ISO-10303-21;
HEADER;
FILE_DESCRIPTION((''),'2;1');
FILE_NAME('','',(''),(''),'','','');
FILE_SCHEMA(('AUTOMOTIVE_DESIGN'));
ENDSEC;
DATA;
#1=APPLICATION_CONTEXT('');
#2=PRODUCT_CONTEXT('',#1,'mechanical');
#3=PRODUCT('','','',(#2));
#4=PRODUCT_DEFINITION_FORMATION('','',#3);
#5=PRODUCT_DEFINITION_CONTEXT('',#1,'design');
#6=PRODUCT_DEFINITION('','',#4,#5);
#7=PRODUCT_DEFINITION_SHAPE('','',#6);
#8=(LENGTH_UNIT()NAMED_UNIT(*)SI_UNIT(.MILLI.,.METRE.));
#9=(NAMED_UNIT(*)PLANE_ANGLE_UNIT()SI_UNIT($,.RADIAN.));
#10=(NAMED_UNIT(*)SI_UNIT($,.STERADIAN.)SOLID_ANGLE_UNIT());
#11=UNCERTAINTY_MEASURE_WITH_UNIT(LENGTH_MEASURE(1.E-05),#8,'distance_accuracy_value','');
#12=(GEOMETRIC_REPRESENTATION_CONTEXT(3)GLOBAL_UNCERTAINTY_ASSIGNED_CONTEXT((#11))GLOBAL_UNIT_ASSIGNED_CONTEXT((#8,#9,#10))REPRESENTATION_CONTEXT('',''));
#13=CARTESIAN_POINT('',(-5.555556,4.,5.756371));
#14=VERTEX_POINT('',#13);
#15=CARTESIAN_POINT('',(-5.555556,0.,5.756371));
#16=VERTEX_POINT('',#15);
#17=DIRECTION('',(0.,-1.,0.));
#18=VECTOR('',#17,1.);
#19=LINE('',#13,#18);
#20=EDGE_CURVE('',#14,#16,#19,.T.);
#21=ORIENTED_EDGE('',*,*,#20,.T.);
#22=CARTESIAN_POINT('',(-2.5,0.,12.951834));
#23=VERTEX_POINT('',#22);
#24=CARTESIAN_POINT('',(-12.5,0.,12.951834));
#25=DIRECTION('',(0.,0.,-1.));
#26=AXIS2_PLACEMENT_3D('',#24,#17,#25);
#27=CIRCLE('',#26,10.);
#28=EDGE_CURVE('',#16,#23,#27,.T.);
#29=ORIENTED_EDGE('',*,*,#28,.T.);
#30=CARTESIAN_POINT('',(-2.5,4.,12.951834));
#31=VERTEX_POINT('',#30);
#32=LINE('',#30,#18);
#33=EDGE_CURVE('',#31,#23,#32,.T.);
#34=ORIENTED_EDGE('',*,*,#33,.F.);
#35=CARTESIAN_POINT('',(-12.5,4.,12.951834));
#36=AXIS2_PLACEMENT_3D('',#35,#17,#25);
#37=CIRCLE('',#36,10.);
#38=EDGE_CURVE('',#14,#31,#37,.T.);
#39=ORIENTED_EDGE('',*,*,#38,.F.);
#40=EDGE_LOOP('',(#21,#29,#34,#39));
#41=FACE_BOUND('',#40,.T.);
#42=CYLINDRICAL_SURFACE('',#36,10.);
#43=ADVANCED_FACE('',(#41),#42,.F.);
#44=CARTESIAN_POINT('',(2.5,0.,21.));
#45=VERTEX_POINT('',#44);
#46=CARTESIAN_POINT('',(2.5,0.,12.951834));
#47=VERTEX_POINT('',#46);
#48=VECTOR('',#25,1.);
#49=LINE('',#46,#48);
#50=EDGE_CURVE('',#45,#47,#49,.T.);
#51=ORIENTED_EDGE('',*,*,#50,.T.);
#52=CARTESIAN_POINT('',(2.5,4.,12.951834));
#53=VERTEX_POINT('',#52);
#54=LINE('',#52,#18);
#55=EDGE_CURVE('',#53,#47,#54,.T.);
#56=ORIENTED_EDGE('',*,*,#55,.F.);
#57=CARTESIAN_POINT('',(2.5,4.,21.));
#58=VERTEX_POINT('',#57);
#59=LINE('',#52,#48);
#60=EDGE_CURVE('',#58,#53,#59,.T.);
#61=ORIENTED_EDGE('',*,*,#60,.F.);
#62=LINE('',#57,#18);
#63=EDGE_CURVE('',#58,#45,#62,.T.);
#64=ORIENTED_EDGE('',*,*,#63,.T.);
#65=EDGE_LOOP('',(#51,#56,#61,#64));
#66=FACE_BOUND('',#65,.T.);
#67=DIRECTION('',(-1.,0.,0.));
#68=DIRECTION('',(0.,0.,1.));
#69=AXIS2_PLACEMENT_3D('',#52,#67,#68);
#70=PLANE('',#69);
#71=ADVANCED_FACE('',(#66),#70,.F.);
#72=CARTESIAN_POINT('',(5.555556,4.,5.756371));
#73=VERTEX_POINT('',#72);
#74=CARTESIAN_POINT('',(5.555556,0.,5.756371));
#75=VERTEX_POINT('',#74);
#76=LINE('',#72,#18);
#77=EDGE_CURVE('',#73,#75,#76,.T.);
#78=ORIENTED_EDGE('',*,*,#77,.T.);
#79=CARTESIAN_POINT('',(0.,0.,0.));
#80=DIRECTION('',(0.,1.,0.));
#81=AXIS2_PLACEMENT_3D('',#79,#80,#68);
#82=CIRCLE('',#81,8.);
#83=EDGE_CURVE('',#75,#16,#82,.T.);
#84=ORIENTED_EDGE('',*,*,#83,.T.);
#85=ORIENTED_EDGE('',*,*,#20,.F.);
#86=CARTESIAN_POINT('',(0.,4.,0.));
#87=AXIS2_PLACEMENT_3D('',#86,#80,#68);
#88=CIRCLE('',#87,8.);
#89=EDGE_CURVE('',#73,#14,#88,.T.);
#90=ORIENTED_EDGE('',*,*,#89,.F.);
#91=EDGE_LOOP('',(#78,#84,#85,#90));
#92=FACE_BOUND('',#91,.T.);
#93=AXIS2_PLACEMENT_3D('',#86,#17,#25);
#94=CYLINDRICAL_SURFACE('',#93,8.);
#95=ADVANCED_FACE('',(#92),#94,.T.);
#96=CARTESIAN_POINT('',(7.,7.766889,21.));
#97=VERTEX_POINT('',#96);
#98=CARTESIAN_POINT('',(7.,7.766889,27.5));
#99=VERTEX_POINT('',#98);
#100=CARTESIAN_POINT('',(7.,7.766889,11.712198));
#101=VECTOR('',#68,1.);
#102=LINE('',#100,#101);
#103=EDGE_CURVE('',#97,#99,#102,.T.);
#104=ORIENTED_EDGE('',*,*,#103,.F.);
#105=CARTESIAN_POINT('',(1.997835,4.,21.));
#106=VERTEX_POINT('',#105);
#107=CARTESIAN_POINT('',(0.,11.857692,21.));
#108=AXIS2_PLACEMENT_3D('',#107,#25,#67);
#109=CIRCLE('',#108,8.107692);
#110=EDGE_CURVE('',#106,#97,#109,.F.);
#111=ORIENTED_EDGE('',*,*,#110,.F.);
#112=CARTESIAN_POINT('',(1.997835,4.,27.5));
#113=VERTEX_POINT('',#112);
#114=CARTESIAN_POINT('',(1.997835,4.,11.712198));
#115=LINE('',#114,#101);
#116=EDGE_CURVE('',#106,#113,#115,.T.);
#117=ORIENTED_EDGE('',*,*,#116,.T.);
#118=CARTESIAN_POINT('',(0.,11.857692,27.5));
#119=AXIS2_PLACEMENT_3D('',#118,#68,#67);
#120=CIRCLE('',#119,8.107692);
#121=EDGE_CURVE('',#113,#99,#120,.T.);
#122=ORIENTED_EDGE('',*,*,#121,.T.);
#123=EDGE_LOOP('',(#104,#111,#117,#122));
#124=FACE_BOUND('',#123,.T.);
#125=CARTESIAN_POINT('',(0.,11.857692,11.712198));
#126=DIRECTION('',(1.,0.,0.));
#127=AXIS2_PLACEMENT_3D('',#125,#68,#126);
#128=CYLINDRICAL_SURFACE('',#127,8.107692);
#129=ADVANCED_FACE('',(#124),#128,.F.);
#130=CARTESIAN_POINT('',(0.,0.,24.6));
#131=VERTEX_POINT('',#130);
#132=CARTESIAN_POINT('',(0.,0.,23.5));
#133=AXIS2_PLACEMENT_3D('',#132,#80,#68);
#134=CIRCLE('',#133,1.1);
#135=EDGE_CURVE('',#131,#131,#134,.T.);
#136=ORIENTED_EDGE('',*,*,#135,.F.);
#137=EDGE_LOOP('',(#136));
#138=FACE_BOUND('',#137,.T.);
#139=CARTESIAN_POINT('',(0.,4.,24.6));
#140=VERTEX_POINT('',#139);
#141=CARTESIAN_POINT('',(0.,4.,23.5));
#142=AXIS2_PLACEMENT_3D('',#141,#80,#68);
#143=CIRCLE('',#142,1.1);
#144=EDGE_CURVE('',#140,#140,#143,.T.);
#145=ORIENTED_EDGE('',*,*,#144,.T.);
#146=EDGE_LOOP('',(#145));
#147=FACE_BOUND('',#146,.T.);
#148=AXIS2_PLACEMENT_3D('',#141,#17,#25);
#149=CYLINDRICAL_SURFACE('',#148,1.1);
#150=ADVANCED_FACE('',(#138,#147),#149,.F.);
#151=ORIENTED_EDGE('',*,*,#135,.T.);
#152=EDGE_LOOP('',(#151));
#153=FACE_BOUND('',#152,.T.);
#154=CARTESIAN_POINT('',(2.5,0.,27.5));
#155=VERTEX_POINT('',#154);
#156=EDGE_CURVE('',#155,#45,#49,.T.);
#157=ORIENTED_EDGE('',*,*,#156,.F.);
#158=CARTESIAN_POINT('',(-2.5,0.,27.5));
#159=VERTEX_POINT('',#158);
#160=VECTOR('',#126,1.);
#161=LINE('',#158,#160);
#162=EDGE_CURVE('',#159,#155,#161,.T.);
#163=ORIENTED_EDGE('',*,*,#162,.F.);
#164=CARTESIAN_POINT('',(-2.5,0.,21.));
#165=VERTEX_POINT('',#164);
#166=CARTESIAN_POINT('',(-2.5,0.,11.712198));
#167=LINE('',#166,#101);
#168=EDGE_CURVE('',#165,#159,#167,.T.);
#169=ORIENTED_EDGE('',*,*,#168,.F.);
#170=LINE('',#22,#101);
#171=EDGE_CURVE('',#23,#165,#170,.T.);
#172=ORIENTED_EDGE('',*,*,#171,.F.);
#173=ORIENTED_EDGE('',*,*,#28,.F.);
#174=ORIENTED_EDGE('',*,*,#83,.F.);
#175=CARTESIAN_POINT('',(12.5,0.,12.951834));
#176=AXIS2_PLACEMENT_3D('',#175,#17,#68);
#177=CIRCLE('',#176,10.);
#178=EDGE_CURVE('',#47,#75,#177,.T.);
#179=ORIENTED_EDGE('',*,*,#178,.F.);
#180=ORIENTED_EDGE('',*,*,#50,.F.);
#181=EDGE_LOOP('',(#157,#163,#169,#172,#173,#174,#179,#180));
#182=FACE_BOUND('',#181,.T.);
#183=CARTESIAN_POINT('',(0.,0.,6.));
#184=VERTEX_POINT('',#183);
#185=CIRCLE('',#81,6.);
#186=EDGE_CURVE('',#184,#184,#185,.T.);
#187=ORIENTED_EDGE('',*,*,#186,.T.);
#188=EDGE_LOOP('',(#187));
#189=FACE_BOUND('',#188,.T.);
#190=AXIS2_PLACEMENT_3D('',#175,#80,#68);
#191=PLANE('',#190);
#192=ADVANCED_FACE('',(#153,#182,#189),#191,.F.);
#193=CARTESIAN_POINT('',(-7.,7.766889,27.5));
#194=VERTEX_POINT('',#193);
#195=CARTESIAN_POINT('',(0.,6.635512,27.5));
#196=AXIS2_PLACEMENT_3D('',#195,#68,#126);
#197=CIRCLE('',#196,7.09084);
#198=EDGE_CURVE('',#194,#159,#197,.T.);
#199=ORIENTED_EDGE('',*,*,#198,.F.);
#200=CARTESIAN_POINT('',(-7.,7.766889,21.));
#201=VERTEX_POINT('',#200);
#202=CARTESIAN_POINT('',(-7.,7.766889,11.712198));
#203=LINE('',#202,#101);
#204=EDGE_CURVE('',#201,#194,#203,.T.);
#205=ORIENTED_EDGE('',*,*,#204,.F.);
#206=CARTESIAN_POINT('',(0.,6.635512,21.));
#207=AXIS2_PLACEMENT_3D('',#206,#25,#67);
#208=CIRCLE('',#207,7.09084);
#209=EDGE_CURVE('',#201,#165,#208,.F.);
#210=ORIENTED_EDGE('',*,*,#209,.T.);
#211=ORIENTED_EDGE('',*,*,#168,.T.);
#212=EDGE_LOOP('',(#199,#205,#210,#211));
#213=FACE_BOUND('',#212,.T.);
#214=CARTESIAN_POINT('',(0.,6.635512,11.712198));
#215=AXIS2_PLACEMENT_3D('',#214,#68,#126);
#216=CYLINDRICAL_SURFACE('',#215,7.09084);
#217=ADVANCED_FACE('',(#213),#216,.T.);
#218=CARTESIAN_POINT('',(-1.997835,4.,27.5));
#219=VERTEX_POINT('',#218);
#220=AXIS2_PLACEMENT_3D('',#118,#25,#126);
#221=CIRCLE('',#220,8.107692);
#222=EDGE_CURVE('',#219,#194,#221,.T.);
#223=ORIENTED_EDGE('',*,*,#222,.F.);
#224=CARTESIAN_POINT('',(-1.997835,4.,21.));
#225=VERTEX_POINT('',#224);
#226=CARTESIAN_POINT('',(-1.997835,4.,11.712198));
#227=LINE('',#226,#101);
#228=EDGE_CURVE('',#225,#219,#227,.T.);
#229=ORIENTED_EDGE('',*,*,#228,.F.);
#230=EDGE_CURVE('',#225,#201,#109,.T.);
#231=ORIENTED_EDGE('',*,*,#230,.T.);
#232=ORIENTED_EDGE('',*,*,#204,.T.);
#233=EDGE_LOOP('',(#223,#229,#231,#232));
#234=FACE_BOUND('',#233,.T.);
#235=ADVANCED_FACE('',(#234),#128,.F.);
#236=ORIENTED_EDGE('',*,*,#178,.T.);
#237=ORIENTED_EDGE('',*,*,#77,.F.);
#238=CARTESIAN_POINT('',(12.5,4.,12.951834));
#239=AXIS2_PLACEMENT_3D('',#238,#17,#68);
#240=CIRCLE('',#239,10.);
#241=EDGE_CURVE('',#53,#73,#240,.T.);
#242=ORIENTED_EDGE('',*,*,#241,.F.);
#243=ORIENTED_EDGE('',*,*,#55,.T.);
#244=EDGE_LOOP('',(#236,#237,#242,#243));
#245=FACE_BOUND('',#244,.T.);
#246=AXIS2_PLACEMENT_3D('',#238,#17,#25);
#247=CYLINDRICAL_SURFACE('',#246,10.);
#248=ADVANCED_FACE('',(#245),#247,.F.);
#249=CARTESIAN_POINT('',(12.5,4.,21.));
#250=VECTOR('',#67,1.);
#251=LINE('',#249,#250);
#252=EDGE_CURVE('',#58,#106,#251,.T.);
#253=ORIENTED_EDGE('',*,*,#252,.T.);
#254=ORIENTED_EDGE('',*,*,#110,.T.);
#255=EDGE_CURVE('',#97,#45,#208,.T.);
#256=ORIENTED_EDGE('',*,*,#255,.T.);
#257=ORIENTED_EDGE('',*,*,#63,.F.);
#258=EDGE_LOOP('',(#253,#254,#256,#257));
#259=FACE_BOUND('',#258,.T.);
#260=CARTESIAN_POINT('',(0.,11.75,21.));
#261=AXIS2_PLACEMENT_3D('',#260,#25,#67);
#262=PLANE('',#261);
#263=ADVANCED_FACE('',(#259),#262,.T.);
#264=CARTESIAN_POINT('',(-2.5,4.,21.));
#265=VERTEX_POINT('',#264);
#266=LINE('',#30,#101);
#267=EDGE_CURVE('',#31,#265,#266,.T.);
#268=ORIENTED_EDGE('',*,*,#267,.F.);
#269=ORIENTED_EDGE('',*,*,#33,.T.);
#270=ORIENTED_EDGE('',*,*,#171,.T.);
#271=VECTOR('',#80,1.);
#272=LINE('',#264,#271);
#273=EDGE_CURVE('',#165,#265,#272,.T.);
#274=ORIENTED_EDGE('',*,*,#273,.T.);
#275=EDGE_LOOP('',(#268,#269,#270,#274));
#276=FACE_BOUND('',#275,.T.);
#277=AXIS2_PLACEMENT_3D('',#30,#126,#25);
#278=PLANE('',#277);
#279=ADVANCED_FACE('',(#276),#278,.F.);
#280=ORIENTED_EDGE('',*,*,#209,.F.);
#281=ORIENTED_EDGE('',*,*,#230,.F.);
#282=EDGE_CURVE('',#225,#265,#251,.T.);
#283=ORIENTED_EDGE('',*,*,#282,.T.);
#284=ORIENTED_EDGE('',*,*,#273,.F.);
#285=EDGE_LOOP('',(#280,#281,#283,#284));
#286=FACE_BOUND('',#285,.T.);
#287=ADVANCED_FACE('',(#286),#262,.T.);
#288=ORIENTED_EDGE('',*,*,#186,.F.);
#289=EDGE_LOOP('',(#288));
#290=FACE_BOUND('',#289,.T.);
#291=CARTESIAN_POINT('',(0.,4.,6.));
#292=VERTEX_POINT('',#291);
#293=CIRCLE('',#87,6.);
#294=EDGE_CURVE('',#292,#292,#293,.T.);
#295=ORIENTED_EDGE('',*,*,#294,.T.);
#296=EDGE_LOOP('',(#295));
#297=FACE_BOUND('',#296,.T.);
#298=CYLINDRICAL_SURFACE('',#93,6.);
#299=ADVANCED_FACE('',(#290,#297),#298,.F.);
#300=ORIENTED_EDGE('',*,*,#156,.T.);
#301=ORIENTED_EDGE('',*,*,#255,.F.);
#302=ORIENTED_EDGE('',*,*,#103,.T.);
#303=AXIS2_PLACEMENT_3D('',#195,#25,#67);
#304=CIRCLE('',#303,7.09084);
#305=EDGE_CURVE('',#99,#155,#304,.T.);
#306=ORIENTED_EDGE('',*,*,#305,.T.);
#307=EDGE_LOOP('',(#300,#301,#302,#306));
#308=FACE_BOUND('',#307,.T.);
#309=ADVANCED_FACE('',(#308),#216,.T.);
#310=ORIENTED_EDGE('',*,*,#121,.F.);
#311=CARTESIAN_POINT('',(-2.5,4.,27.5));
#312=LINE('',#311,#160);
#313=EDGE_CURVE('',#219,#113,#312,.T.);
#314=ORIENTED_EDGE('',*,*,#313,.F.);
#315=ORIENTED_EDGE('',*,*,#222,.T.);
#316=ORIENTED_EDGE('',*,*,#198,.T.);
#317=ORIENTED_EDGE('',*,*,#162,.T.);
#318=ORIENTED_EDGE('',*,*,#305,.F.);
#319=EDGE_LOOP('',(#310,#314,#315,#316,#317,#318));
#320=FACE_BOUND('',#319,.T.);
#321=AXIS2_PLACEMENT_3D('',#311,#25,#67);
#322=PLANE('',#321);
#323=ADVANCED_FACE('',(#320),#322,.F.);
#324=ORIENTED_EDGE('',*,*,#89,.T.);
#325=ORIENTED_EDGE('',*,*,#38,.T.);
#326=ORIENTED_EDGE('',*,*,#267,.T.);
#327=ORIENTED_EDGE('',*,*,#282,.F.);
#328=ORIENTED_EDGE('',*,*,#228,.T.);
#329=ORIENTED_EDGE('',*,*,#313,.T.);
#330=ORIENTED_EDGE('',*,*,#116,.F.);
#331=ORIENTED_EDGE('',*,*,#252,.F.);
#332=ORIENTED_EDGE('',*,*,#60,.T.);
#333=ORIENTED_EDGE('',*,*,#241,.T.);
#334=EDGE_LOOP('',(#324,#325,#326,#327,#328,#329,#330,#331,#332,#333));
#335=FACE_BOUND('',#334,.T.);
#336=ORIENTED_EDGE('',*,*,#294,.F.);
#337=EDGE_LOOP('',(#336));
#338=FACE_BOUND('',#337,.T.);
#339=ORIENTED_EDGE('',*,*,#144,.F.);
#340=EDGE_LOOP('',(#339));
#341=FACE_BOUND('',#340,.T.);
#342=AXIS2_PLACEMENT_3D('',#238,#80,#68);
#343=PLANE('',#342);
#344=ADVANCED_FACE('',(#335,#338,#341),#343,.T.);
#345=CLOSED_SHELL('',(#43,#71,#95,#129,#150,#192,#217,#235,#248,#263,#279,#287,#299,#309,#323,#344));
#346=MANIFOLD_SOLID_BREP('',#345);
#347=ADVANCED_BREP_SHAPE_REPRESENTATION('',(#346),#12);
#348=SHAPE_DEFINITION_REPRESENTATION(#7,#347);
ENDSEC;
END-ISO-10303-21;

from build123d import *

# Parameters (mm, degrees)
SKETCH1_R           = 6
SKETCH1_R_2         = 1.1
BOSS_EXTRUDE1_DEPTH = 4
BOSS_EXTRUDE2_DEPTH = 6.5


with BuildPart() as part:
    # Sketch1 → Boss-Extrude1 (new body)
    with BuildSketch(Plane(origin=(0, 0, 0), x_dir=(1, 0, 0), z_dir=(0, 1, 0))):
        with BuildLine():
            Line((-2.5, -27.5), (2.5, -27.5))
            Line((2.5, -27.5), (2.5, -12.951833847))
            ThreePointArc((2.5, -12.951833847), (3.295532486, -9.043154047), (5.555555556, -5.756370599))
            ThreePointArc((5.555555556, -5.756370599), (0, 8), (-5.555555556, -5.756370599))
            ThreePointArc((-5.555555556, -5.756370599), (-3.295532486, -9.043154047), (-2.5, -12.951833847))
            Line((-2.5, -12.951833847), (-2.5, -27.5))
        make_face()
        Circle(SKETCH1_R, mode=Mode.SUBTRACT)
        with Locations((0, -23.5)):
            Circle(SKETCH1_R_2, mode=Mode.SUBTRACT)
    extrude(amount=BOSS_EXTRUDE1_DEPTH)

    # Sketch2 → Boss-Extrude2 (add)
    with BuildSketch(Plane.XY.offset(27.5)):
        with BuildLine():
            Line((-1.997835367, 4), (-2.5, 0))
            ThreePointArc((-2.5, 0), (-6.135441291, 3.080743774), (-7, 7.766888651))
            ThreePointArc((-7, 7.766888651), (-4.877255668, 5.381037947), (-1.997835367, 4))
        make_face()
    boss_extrude2 = extrude(amount=-BOSS_EXTRUDE2_DEPTH)

    # Mirror1: Boss-Extrude2 across plane
    add(boss_extrude2.mirror(Plane(origin=(0, 0, 0), x_dir=(0, 0, 1), z_dir=(1, 0, 0))))


solid = part.part
